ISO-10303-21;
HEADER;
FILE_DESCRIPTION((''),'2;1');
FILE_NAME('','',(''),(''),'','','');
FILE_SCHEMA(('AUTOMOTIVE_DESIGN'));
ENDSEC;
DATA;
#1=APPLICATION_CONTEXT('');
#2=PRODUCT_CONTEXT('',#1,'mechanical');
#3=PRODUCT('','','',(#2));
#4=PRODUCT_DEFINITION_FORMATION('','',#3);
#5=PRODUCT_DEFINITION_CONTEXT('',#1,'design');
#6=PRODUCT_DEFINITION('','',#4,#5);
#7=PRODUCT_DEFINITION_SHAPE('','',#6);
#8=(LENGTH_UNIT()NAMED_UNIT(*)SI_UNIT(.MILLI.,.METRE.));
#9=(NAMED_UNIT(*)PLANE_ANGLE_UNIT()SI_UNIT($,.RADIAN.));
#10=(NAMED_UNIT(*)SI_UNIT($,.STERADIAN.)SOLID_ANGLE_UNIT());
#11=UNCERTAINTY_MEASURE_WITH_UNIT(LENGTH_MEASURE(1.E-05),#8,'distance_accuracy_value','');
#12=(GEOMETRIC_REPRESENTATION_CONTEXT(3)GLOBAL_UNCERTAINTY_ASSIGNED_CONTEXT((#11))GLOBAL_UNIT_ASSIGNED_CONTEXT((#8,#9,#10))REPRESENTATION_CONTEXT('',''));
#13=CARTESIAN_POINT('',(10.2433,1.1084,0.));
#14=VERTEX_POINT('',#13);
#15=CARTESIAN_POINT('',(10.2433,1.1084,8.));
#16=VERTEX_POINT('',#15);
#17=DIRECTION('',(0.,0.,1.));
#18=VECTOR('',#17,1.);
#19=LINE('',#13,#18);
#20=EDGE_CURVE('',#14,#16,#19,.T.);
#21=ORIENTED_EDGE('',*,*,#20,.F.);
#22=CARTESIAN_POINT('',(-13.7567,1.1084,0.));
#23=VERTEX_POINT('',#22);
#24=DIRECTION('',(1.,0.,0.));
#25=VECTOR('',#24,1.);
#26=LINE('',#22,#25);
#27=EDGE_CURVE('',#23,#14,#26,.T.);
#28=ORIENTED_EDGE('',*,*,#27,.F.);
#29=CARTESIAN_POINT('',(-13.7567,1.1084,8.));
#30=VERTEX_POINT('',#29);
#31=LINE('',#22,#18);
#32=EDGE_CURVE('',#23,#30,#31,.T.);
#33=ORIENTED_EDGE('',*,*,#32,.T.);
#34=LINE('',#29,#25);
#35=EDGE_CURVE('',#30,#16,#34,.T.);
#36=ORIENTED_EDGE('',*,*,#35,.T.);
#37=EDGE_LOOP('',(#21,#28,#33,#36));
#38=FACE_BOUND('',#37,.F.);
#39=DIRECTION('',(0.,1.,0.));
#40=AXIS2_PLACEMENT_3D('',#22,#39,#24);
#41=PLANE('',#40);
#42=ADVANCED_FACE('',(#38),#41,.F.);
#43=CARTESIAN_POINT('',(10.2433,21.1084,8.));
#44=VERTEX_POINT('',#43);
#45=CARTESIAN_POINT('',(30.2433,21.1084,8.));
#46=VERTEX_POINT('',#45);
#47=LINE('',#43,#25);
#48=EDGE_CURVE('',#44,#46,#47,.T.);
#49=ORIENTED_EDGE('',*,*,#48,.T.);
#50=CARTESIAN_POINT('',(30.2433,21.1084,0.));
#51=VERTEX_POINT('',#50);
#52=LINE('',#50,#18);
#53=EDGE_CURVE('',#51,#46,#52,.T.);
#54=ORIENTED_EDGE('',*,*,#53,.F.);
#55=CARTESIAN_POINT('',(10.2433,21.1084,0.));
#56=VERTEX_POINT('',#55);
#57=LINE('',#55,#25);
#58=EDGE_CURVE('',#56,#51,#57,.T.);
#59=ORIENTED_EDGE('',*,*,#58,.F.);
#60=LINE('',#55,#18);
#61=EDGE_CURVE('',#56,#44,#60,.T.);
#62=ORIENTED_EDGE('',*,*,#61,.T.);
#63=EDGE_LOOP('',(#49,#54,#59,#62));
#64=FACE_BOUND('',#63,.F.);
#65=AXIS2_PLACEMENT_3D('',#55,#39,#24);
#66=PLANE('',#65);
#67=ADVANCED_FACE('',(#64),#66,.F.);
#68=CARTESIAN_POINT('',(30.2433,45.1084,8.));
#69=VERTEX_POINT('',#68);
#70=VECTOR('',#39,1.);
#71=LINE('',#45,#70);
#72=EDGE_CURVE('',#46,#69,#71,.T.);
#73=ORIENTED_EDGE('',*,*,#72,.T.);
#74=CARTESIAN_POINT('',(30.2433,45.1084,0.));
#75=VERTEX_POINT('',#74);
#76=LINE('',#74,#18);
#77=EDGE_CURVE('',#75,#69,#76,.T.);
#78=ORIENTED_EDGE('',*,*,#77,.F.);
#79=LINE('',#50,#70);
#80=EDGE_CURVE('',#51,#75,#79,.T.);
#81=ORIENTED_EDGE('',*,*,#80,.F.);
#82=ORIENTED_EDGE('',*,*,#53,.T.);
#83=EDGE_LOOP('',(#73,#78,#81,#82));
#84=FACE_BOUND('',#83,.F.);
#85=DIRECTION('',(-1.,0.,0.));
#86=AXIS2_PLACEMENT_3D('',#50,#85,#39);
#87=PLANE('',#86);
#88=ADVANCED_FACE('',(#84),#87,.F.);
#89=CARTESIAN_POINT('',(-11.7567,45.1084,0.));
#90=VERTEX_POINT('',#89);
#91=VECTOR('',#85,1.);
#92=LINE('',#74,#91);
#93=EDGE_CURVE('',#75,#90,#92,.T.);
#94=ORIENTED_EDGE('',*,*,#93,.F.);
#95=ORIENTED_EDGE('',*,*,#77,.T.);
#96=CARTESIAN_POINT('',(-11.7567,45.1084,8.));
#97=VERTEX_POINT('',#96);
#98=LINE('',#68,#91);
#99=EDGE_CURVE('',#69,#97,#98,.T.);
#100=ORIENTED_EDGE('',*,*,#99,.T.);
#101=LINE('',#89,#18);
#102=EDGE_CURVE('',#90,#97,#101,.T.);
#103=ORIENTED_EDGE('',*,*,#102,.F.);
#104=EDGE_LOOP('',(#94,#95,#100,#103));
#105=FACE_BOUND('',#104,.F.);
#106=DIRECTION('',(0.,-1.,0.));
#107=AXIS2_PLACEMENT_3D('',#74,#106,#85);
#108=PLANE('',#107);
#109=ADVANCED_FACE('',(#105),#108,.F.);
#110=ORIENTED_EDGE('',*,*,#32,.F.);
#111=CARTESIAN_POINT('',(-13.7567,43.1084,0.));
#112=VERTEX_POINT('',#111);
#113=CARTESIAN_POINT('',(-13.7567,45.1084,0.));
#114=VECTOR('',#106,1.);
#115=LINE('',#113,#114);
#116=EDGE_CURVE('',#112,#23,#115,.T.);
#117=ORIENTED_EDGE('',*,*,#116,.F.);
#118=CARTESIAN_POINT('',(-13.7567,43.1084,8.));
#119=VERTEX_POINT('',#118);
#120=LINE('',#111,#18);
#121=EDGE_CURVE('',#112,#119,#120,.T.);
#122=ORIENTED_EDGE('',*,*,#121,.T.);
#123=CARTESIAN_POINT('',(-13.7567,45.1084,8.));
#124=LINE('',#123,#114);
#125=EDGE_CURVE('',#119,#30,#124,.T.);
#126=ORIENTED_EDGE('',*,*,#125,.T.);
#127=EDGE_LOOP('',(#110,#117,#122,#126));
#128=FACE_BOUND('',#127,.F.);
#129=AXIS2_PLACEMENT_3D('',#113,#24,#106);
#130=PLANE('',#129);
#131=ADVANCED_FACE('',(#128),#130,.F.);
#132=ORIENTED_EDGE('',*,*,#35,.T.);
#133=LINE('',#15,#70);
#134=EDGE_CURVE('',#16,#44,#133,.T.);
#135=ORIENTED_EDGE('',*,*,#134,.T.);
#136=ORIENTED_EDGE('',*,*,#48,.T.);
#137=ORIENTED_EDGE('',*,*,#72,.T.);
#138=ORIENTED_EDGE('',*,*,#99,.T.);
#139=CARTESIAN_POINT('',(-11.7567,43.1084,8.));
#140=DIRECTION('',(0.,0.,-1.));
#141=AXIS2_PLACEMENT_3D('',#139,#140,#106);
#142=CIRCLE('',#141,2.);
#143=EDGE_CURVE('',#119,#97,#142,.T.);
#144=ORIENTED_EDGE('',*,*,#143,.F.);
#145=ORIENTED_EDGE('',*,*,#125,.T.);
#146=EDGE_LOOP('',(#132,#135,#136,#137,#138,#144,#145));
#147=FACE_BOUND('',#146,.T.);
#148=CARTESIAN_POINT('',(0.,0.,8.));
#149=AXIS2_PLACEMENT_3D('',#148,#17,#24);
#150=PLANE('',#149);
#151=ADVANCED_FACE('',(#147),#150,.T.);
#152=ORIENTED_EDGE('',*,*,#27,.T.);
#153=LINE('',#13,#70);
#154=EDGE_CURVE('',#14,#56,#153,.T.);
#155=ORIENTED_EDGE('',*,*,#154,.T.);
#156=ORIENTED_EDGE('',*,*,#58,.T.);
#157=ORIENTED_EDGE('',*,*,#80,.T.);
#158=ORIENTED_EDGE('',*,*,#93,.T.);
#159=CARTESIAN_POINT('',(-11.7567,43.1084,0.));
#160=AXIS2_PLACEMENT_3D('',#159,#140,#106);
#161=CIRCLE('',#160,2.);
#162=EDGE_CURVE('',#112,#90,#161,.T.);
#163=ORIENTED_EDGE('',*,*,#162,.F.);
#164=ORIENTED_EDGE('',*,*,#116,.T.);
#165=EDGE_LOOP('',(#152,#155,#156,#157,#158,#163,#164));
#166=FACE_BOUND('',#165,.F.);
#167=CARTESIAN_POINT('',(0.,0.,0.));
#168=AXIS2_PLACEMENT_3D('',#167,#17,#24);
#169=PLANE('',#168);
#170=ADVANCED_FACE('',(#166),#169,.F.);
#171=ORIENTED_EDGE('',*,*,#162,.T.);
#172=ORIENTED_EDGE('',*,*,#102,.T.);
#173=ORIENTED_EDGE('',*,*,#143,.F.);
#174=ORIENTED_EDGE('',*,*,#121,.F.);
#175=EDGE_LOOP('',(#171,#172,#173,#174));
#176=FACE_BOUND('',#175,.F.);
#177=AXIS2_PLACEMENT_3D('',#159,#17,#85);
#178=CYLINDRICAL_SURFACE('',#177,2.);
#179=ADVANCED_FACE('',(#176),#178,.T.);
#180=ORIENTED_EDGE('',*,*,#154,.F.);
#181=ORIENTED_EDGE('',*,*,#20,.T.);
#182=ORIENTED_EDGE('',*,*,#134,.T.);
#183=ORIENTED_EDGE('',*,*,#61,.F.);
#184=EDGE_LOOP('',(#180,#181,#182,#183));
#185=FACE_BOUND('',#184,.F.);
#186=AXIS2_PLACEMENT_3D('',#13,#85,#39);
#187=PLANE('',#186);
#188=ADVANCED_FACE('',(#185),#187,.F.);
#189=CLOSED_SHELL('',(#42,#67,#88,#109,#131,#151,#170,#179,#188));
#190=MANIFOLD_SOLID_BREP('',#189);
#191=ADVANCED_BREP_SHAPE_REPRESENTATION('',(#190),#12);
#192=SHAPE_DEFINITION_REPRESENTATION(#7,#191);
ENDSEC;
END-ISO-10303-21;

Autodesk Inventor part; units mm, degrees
ref_plane "YZ Plane" through (0, 0, 0) normal (1, 0, 0) x (0, 1, 0)
ref_plane "XZ Plane" through (0, 0, 0) normal (0, 1, 0) x (-1, 0, 0)
ref_plane "XY Plane" through (0, 0, 0) normal (0, 0, 1) x (1, 0, 0)
sketch "Sketch1" plane through (0, 0, 0) normal (0, 0, 1) x (1, 0, 0)
  line L0 (-13.7567, 1.1084) -> (10.2433, 1.1084)
  line L1 (10.2433, 1.1084) -> (10.2433, 21.1084)
  line L2 (10.2433, 21.1084) -> (30.2433, 21.1084)
  line L3 (30.2433, 21.1084) -> (30.2433, 45.1084)
  line L4 (30.2433, 45.1084) -> (-13.7567, 45.1084)
  line L5 (-13.7567, 45.1084) -> (-13.7567, 1.1084)
  dimension "d1" = 24
  dimension "d2" = 20
  dimension "d3" = 20
  dimension "d4" = 24
extrude "Extrusion1" add sketch "Sketch1" along normal blind 8
fillet "Fillet1" radius 2 1 edges at (-13.7567, 45.1084, 4)
equation "\"d4\" = d1"
properties part number "Acolpe L para Soporte LED" material "Acetal Resin, White"
